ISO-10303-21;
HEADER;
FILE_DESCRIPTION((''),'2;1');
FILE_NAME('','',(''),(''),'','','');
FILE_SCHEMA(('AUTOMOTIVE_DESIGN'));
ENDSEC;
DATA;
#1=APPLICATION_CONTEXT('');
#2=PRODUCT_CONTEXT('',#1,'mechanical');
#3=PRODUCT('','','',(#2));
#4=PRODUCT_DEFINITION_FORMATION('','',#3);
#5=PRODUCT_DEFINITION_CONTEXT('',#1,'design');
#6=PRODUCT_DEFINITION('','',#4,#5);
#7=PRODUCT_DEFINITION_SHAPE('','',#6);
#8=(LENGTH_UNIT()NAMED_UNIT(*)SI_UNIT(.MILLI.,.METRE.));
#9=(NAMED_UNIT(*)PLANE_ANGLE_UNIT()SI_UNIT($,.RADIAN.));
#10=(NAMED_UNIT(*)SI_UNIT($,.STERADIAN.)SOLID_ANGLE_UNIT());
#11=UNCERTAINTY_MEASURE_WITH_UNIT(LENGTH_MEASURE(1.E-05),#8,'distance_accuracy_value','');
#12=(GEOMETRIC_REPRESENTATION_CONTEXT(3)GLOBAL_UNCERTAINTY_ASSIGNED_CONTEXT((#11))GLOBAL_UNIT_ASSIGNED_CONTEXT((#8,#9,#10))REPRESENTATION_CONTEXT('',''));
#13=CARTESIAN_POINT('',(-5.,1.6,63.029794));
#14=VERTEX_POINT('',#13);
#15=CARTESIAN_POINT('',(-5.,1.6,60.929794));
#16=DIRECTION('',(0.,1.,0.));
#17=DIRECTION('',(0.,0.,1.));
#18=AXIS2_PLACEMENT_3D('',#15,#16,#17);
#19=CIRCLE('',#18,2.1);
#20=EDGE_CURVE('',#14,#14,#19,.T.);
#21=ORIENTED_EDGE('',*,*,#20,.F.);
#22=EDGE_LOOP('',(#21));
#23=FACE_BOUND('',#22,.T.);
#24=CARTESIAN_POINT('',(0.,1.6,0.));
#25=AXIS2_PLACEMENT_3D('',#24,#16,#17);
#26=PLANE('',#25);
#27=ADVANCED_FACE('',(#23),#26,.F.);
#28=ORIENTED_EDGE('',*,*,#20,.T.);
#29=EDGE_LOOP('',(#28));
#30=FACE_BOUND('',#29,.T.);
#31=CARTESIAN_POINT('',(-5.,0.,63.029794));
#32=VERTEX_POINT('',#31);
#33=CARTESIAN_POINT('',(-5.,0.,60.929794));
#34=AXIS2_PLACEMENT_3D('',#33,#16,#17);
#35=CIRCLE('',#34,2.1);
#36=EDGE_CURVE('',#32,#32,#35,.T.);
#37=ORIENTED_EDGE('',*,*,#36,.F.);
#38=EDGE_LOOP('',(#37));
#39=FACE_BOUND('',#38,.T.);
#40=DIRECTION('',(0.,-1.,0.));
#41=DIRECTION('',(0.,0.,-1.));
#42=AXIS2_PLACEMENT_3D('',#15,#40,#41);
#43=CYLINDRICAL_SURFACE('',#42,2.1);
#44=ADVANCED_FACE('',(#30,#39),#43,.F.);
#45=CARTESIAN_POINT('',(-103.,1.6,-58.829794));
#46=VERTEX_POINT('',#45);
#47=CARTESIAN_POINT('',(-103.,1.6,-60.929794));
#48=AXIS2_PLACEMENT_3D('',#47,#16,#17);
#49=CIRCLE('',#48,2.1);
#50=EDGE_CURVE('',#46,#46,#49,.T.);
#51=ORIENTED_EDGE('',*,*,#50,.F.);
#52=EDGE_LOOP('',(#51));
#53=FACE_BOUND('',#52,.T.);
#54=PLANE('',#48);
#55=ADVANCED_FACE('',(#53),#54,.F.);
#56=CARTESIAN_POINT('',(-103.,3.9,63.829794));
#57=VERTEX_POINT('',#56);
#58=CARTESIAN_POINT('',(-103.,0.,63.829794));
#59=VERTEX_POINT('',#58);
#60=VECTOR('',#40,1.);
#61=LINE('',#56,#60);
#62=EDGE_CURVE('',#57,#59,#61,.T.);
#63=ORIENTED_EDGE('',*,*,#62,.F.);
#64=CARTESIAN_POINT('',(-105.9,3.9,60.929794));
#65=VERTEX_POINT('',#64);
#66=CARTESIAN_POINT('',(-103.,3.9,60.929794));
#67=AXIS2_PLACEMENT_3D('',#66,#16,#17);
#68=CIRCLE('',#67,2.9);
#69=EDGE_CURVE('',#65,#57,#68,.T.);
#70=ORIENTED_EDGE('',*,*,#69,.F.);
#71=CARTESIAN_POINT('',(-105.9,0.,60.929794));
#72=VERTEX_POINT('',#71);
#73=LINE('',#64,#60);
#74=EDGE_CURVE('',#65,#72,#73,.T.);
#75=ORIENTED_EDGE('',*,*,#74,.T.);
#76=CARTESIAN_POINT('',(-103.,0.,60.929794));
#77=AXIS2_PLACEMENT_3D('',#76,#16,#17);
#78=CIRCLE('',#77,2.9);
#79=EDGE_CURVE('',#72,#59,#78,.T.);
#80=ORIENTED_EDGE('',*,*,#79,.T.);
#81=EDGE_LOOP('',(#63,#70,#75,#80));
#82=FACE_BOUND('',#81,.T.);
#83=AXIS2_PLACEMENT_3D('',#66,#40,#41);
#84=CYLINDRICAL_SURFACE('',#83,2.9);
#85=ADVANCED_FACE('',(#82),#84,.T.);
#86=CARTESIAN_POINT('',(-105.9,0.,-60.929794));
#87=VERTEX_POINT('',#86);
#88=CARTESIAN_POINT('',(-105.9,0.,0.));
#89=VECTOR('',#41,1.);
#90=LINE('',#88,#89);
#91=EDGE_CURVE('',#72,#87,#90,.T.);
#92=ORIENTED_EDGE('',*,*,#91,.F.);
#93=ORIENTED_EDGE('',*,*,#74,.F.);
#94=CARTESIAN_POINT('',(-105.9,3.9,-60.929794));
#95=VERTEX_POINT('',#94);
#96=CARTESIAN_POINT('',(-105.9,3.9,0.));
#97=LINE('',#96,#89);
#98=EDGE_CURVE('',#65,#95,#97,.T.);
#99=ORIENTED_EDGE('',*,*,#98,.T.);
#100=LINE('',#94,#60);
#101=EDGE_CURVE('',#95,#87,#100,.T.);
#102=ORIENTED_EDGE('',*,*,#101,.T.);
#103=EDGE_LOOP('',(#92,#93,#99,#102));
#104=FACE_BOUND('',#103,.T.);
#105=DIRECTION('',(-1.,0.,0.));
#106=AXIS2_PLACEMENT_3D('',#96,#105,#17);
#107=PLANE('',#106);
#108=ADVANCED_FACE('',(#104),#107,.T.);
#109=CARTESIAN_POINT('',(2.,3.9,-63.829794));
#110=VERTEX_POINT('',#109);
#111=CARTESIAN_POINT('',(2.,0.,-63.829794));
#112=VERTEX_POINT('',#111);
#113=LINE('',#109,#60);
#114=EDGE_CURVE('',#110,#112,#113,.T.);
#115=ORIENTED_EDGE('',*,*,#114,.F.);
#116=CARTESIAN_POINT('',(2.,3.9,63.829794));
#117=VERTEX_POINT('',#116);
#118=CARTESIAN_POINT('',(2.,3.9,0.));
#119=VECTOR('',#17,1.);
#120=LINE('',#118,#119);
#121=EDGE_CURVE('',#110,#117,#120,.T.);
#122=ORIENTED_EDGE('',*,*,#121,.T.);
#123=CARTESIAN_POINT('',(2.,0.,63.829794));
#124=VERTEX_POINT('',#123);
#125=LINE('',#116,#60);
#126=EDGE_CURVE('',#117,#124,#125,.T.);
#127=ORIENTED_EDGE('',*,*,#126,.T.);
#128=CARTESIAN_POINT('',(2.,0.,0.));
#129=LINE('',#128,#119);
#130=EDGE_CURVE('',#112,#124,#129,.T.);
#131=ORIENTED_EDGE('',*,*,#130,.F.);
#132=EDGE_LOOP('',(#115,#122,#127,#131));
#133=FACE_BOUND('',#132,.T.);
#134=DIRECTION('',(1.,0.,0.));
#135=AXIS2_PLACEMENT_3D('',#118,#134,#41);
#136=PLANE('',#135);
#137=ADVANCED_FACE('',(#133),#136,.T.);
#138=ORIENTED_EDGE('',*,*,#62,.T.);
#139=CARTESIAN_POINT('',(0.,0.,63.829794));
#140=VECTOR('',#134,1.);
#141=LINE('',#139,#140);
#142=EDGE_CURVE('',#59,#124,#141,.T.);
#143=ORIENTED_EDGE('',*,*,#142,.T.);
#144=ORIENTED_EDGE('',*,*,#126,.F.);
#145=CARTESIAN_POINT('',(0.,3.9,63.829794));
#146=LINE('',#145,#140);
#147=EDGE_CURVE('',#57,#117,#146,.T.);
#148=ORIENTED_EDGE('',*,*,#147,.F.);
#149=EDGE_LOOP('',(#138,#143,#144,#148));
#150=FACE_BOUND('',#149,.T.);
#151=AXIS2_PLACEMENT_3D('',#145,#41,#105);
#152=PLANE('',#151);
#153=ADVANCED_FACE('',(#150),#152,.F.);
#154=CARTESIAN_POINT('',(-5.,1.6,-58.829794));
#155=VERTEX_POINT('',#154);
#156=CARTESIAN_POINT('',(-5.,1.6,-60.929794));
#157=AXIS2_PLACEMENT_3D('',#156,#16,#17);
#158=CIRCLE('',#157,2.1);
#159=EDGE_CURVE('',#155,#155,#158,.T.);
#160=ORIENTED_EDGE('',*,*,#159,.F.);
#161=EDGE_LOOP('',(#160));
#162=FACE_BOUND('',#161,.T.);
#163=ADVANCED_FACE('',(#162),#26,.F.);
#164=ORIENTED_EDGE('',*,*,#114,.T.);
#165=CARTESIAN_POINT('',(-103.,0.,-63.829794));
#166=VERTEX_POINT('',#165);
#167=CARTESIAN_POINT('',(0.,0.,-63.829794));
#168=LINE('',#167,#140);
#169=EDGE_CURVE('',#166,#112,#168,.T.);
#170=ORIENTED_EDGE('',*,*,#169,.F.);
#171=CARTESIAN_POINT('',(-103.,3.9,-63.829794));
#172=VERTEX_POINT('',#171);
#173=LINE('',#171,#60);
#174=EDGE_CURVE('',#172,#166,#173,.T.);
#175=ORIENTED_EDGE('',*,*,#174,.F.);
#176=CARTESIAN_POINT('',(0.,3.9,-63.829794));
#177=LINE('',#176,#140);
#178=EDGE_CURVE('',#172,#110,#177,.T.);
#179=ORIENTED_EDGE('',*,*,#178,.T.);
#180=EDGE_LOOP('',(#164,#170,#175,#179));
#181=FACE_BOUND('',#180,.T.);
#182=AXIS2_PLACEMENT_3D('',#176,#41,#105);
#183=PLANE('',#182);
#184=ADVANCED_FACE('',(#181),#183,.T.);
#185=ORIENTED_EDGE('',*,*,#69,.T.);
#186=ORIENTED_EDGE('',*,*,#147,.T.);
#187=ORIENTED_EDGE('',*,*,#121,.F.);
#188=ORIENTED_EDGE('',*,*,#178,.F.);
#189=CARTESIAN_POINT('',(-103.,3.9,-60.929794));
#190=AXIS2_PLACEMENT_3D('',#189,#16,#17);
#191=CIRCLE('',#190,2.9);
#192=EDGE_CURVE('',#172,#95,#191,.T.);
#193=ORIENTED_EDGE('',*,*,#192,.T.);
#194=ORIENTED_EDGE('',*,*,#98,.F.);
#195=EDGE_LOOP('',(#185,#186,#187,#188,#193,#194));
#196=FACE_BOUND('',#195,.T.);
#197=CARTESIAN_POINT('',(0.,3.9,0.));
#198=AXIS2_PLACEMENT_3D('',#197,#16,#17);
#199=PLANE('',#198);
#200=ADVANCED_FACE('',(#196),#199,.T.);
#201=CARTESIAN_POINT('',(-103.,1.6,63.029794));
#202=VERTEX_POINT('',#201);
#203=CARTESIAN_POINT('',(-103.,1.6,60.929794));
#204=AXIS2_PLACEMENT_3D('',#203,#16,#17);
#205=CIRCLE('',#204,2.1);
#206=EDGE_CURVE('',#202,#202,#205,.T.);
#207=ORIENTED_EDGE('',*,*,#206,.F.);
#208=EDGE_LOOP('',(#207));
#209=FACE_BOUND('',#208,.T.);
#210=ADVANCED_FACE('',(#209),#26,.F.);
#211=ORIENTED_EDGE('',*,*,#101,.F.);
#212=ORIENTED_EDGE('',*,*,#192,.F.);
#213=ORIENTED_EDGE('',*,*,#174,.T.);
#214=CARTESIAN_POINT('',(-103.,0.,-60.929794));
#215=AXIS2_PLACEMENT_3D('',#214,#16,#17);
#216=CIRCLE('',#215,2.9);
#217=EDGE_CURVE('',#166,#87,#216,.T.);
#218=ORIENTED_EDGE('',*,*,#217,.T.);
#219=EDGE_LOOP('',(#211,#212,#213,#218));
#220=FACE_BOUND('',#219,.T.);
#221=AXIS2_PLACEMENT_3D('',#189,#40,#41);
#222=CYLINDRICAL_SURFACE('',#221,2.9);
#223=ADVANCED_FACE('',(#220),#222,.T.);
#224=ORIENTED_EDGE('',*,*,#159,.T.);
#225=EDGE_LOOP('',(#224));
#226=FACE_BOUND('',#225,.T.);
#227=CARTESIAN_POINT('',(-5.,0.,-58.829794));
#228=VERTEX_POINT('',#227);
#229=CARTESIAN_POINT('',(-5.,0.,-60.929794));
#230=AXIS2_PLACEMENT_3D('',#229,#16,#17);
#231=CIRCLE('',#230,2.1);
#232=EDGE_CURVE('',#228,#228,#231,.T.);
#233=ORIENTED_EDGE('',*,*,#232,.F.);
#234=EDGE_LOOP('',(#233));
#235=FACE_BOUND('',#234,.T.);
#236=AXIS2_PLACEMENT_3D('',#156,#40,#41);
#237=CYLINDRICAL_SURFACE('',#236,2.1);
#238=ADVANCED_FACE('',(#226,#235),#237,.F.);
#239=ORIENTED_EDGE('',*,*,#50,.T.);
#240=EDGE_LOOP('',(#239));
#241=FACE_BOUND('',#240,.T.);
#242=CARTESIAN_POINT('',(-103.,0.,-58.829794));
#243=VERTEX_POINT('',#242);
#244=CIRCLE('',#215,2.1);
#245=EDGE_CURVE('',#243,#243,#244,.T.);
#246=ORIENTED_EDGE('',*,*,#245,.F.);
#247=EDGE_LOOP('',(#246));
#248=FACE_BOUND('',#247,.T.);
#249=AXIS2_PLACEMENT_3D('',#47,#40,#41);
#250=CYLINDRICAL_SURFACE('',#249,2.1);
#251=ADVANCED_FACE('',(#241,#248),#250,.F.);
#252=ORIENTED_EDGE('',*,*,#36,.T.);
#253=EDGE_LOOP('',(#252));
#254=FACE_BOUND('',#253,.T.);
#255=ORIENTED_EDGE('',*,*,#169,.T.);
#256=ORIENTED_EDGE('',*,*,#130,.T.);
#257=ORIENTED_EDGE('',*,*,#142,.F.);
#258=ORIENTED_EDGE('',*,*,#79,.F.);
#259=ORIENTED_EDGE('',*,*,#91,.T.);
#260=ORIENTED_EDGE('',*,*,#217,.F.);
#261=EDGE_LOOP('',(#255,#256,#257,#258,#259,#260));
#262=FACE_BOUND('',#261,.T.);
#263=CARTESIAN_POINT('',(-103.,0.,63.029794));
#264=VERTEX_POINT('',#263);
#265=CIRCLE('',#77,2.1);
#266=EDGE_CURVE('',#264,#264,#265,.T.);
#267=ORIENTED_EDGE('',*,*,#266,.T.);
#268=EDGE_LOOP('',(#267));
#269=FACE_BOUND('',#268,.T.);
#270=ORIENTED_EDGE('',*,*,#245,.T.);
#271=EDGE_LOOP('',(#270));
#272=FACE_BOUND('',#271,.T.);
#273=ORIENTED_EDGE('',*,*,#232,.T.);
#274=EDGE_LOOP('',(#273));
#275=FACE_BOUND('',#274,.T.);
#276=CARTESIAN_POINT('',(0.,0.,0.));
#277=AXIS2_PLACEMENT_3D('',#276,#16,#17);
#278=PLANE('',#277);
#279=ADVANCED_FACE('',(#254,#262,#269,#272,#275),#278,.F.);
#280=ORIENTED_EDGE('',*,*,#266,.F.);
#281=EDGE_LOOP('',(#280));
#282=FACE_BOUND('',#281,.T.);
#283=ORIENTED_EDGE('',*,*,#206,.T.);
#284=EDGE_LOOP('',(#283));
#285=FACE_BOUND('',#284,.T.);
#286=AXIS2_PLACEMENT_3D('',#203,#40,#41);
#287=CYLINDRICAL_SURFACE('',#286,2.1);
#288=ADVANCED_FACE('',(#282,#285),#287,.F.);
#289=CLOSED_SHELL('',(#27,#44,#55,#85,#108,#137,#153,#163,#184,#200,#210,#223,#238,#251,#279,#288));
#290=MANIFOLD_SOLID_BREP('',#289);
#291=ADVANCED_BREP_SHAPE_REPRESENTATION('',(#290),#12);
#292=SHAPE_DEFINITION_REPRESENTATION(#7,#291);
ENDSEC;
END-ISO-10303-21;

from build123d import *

# Parameters (mm, degrees)
BOSS_EXTRUDE1_DEPTH = 3.9
SKETCH1_6_R         = 2.1
CUT_EXTRUDE1_DEPTH  = 1.6


with BuildPart() as part:
    # Sketch1 → Boss-Extrude1 (new body)
    with BuildSketch(Plane(origin=(0, 0, 0), x_dir=(1, 0, 0), z_dir=(0, 1, 0))):
        with BuildLine():
            Line((-105.9, 60.929794432), (-105.9, -60.929794385))
            ThreePointArc((-105.9, -60.929794385), (-105.050609665, -62.980404051), (-103, -63.829794385))
            Line((-103, -63.829794385), (2, -63.829794385))
            Line((2, -63.829794385), (2, 63.829794385))
            Line((2, 63.829794385), (-103, 63.829794385))
            ThreePointArc((-103, 63.829794385), (-105.050609649, 62.980404067), (-105.9, 60.929794432))
        make_face()
    extrude(amount=BOSS_EXTRUDE1_DEPTH)

    # Sketch1<6> → Cut-Extrude1 (cut)
    with BuildSketch(Plane(origin=(0, 0, 0), x_dir=(1, 0, 0), z_dir=(0, 1, 0))):
        with Locations((-103, 60.929794385)):
            Circle(SKETCH1_6_R)
        with Locations((-5, 60.929794385)):
            Circle(SKETCH1_6_R)
        with Locations((-5, -60.929794385)):
            Circle(SKETCH1_6_R)
        with Locations((-103, -60.929794385)):
            Circle(SKETCH1_6_R)
    extrude(amount=CUT_EXTRUDE1_DEPTH, mode=Mode.SUBTRACT)


solid = part.part
